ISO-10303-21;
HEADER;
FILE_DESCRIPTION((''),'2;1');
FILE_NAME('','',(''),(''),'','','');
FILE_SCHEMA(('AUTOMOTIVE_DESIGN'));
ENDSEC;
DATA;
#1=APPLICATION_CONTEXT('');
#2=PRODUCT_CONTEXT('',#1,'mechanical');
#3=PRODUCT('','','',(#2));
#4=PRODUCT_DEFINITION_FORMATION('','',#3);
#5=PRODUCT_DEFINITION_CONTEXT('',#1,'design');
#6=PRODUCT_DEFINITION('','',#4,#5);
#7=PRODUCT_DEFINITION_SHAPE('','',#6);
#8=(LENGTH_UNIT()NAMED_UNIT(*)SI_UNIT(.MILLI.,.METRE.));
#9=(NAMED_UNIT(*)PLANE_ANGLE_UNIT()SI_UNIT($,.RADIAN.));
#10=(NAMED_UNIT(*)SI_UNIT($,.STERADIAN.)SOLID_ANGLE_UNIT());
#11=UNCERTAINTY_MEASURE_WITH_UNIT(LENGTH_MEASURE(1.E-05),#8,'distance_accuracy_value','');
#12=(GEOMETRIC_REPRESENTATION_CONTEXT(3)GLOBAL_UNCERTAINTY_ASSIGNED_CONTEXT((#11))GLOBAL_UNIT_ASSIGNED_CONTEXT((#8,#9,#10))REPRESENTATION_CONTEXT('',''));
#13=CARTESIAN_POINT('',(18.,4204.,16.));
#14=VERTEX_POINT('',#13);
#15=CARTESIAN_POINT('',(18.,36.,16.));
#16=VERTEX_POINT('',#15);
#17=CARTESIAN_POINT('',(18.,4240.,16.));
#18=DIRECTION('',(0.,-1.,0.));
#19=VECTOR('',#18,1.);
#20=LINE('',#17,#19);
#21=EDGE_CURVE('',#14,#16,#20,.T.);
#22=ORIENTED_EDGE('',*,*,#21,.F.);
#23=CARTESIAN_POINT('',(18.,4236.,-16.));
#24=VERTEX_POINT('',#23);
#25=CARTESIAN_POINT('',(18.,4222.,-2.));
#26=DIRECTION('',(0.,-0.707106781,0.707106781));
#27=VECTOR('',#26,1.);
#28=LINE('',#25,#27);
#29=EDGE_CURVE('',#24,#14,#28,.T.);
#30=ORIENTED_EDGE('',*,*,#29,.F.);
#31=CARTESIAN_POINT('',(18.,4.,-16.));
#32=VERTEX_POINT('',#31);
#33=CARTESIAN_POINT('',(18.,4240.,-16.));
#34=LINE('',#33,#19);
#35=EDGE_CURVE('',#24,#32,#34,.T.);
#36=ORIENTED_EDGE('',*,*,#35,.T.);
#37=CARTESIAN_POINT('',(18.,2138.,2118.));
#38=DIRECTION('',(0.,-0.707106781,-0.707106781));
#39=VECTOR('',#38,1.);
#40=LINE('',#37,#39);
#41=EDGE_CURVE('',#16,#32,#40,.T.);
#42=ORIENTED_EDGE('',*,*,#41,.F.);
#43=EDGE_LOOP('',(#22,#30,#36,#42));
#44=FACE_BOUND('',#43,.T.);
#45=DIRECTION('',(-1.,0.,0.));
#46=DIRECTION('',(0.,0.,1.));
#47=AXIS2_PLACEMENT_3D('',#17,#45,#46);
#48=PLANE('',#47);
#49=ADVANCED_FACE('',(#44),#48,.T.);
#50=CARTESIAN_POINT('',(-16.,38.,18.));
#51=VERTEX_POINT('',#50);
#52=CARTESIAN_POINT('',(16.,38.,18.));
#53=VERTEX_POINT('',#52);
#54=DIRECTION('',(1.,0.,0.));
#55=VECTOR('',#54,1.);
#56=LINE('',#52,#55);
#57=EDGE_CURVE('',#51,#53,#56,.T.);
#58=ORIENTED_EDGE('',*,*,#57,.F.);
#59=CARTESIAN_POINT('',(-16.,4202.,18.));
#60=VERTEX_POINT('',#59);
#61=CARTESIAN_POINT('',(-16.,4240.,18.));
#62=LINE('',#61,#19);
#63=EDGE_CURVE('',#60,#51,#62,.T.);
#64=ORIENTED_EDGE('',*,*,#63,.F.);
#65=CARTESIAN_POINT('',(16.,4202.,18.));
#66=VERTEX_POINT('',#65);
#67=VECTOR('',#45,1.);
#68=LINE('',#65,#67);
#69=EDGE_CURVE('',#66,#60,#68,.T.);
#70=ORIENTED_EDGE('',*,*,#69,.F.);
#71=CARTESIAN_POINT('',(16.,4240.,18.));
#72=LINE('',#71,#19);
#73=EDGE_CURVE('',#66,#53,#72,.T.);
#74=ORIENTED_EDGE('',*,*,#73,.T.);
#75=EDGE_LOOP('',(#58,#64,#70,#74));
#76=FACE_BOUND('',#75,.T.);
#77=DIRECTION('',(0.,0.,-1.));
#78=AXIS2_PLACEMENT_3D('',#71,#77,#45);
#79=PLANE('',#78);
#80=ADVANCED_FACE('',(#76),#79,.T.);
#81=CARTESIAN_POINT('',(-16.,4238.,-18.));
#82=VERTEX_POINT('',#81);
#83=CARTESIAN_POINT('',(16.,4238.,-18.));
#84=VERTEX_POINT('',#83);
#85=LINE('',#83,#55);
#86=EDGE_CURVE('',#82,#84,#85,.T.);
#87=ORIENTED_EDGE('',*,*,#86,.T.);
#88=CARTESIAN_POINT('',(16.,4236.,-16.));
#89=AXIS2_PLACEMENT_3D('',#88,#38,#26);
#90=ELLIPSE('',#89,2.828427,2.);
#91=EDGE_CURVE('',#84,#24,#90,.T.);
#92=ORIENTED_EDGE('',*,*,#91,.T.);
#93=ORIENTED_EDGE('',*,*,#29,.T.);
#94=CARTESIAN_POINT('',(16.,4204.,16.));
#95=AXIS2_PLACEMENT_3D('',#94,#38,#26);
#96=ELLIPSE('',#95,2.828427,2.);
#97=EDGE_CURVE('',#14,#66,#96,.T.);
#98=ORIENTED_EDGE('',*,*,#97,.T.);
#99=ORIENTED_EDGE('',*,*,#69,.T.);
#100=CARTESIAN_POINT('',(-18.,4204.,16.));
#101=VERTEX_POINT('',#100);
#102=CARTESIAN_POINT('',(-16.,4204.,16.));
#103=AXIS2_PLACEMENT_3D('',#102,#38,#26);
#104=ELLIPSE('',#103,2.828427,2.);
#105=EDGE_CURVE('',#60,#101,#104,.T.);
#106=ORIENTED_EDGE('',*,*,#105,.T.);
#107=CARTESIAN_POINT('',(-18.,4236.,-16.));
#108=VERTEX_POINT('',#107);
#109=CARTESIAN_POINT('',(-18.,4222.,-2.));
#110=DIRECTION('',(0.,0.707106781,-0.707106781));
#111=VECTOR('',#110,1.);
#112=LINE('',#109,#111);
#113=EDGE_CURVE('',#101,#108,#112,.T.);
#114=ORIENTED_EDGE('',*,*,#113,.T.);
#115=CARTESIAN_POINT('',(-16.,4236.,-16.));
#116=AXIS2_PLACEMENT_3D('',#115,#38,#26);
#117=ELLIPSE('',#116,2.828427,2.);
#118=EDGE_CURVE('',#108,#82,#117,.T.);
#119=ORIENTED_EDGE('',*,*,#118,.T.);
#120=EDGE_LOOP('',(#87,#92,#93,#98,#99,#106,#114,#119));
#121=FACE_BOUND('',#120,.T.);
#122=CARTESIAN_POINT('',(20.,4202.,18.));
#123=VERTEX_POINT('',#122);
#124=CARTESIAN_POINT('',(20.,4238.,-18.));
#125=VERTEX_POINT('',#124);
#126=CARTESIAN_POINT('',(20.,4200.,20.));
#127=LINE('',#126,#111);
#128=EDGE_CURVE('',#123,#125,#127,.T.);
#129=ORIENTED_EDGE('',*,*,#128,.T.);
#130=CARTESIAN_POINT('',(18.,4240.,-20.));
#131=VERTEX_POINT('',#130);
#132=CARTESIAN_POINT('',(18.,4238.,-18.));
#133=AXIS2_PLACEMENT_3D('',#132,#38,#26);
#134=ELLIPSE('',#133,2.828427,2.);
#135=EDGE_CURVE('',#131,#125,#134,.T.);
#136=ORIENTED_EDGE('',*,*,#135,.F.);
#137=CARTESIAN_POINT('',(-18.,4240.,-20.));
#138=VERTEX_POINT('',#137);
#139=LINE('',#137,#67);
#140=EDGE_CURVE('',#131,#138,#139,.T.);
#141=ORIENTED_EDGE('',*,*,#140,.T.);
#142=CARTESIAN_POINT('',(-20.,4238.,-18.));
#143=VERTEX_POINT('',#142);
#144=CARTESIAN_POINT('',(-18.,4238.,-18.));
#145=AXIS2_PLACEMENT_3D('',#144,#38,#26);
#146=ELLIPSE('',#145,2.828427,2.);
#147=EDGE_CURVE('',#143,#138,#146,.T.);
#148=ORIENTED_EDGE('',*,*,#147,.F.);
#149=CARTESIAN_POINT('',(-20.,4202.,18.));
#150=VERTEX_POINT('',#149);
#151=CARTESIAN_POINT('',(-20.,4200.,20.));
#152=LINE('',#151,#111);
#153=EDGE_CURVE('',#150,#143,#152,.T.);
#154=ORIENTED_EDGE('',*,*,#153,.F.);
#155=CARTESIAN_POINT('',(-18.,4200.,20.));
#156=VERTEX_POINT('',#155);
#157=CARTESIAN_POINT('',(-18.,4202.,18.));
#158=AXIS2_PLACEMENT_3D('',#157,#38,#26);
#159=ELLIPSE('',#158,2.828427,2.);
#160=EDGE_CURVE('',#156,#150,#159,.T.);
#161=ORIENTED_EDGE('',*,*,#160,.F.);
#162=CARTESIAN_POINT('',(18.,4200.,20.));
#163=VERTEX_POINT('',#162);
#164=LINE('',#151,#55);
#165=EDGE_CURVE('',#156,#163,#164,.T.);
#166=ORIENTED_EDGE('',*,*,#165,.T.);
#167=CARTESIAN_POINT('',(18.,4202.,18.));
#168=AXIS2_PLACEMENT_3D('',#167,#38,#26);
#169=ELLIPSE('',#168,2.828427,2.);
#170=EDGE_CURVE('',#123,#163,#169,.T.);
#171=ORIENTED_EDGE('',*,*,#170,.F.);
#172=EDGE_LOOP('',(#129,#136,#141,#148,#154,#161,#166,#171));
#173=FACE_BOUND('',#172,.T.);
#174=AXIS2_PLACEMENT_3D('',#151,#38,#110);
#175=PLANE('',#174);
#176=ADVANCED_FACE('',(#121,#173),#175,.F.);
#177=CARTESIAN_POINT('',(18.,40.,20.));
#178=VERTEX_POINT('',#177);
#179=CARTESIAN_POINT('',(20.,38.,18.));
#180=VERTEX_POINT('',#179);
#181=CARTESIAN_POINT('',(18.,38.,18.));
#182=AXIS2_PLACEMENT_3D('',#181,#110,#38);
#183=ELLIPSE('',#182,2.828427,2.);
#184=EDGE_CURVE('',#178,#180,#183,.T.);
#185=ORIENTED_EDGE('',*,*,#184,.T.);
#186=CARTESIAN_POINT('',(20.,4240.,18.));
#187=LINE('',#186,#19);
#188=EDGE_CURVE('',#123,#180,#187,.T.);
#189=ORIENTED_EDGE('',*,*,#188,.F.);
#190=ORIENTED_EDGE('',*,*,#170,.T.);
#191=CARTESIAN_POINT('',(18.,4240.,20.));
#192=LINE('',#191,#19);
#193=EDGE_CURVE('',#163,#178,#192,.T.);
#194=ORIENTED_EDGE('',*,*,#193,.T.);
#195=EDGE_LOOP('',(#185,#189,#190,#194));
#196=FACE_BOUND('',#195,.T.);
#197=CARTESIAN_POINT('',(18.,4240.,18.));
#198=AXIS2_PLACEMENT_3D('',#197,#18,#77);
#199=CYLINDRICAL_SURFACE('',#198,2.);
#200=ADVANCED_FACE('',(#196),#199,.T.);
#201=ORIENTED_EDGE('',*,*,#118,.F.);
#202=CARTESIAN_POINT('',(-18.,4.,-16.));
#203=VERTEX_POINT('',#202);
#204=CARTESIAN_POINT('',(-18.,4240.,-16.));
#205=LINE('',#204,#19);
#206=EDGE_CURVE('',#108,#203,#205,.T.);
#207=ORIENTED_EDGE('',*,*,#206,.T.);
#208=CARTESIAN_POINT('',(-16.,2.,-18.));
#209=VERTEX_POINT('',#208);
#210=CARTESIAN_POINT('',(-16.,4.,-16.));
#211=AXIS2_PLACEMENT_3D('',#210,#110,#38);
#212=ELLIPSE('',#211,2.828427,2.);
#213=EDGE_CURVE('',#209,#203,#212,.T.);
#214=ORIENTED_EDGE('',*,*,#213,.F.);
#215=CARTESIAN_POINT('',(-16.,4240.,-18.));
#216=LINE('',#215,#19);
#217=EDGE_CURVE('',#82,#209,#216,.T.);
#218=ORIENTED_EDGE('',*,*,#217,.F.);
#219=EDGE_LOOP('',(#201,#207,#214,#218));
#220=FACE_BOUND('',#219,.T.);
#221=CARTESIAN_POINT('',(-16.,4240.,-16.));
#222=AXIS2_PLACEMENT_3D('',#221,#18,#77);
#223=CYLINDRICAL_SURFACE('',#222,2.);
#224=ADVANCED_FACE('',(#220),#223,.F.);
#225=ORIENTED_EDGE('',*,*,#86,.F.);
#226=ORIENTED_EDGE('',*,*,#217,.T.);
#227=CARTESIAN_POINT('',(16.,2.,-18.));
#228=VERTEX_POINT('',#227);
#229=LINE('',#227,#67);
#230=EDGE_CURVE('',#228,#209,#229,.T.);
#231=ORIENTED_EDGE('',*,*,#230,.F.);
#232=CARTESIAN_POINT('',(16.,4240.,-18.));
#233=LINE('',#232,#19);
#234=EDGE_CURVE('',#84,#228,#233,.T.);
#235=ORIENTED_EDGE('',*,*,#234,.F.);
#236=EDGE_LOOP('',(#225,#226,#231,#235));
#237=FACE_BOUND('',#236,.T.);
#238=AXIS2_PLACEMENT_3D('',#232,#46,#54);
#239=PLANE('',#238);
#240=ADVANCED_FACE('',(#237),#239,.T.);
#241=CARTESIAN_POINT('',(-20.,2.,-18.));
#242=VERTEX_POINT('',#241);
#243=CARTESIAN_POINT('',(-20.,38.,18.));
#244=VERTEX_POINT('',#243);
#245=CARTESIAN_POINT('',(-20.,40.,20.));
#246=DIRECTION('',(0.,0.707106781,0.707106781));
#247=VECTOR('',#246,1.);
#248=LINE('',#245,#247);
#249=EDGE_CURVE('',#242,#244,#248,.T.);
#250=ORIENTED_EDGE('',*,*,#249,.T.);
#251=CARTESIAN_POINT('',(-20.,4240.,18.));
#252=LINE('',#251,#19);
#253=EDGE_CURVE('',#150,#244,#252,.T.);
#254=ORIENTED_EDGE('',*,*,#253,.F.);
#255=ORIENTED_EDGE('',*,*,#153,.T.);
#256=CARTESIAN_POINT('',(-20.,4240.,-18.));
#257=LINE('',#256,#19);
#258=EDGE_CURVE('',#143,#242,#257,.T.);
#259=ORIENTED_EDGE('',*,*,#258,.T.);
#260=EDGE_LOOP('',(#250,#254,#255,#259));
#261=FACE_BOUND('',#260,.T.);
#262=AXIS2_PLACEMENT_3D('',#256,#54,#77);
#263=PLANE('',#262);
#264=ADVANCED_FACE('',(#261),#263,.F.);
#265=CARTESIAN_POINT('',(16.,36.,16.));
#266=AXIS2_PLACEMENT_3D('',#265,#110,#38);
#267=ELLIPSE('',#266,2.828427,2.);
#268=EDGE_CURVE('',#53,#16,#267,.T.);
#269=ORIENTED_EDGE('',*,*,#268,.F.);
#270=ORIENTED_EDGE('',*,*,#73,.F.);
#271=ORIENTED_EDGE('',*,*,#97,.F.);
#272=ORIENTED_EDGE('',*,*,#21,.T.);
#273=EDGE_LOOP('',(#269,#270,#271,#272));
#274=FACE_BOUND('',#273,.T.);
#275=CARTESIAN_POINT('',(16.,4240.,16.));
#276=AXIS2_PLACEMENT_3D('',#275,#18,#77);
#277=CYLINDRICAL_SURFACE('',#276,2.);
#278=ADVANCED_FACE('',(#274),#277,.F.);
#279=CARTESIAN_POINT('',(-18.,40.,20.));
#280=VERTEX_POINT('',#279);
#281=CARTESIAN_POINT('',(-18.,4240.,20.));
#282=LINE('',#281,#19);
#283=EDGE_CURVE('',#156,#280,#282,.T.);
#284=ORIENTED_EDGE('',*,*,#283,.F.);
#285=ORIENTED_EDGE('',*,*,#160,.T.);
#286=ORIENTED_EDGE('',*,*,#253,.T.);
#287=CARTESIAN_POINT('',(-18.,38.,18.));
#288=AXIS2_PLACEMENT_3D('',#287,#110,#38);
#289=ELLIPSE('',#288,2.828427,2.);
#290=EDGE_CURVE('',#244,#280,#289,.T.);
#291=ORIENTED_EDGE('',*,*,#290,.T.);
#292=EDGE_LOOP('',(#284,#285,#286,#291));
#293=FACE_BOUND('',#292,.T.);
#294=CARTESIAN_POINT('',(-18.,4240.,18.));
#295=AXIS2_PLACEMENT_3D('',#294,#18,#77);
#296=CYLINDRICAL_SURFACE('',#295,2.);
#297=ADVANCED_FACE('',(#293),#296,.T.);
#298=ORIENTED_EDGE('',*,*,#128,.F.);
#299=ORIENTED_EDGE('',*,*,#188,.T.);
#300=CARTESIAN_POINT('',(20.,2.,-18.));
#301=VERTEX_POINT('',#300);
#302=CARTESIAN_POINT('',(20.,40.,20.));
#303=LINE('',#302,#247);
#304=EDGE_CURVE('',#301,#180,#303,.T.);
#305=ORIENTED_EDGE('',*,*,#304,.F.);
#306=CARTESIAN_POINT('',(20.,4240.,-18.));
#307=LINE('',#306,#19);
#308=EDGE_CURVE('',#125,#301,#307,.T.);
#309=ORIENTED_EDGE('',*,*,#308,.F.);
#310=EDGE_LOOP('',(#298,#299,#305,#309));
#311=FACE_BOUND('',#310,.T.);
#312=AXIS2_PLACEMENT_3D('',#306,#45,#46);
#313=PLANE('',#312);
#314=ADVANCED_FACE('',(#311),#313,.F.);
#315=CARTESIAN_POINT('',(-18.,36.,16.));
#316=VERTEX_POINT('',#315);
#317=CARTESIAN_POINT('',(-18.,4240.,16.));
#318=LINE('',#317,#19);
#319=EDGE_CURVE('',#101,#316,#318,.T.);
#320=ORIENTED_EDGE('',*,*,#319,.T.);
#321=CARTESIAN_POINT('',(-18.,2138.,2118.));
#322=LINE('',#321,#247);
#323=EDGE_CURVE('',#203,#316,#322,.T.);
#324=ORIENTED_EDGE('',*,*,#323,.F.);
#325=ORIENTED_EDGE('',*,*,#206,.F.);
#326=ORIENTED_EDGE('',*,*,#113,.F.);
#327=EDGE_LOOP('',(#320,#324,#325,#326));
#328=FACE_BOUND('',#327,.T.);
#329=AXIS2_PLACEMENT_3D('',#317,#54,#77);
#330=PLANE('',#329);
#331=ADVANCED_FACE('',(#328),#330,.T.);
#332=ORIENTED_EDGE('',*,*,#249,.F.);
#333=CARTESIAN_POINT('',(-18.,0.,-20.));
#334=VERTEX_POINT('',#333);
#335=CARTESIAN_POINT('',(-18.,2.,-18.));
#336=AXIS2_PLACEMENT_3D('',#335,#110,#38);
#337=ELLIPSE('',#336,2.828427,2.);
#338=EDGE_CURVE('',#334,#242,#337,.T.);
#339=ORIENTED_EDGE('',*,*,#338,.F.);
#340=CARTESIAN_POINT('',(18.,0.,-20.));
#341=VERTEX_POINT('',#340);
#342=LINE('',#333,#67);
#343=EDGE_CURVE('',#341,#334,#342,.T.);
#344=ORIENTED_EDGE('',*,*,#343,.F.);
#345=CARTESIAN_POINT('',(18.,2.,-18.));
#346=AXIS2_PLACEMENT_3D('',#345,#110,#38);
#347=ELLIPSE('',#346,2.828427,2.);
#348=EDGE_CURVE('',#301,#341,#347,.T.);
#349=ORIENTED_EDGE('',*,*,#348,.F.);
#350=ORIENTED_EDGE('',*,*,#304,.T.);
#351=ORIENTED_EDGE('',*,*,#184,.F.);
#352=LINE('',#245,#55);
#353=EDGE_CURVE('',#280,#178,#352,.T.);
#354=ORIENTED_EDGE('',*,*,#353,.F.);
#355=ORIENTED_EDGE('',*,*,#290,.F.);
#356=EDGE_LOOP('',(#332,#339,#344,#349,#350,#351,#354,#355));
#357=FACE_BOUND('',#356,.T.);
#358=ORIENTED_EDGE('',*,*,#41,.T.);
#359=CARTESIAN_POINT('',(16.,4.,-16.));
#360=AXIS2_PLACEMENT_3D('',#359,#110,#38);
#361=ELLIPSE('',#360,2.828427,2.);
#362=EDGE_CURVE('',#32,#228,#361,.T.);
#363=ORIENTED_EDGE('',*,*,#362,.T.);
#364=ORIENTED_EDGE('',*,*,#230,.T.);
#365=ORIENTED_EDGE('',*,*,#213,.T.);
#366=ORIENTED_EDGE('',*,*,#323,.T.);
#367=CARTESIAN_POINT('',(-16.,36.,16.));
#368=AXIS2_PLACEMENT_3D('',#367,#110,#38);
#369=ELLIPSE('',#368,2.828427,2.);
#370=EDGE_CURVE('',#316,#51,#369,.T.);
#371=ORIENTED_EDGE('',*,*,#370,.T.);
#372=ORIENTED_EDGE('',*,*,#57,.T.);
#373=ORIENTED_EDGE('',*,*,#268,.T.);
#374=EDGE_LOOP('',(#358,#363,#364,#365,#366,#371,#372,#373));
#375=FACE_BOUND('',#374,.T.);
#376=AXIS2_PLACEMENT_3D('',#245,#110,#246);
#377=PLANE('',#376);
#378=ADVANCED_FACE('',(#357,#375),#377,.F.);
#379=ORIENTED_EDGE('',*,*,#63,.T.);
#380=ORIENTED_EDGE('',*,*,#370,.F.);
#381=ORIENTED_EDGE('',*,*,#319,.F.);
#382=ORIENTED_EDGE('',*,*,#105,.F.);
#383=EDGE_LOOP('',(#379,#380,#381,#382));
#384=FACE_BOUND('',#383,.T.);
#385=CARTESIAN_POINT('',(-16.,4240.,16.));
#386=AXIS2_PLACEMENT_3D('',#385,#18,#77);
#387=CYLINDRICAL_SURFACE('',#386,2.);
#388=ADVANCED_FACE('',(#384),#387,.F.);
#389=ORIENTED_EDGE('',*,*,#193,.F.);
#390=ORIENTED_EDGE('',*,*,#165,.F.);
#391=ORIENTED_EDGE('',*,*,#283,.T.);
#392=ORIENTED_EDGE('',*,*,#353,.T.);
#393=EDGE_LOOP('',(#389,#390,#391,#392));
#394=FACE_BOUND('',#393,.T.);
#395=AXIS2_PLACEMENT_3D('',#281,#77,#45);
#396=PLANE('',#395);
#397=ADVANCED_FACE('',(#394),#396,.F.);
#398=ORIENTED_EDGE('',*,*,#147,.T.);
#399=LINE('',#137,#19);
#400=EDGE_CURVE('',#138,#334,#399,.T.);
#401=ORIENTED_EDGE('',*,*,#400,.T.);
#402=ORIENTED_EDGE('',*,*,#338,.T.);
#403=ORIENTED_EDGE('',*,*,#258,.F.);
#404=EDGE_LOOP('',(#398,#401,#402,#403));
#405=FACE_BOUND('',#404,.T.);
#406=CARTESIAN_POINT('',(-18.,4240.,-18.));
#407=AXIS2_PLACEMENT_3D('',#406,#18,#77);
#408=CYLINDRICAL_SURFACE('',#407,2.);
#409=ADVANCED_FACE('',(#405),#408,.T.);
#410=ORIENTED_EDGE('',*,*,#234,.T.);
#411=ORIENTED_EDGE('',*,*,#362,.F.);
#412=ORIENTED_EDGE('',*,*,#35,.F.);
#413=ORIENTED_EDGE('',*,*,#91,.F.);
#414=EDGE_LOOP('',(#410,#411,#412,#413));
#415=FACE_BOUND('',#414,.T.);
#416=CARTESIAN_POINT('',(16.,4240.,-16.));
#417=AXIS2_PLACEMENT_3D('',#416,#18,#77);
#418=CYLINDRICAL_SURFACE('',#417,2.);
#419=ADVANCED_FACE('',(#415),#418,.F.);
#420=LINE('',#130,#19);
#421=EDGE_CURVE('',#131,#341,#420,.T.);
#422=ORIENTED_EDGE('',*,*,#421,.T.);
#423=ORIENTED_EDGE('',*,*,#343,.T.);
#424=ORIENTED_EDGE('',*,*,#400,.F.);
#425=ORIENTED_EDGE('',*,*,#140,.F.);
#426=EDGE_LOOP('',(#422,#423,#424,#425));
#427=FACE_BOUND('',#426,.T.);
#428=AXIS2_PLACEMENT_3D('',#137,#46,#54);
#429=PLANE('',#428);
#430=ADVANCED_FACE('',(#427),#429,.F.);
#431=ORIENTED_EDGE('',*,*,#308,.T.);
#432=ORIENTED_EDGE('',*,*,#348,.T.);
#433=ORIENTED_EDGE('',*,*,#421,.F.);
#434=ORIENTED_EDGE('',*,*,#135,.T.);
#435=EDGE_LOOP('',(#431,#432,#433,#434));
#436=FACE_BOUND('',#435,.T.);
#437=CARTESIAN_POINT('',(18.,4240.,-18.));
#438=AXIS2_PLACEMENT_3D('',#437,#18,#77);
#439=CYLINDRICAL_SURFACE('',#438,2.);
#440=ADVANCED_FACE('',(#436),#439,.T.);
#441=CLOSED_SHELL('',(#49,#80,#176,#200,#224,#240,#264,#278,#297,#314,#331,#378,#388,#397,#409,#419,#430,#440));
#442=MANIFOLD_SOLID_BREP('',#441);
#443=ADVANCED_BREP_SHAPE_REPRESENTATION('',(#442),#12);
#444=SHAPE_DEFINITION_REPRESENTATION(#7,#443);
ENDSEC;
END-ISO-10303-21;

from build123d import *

# Parameters (mm, degrees)
EXTRUDE_1_DEPTH     = 4240
CUT_EXTRUDE_1_DEPTH = 4241.235842497


with BuildPart() as part:
    # Эскиз2 → Бобышка-Вытянуть1 (new body)
    with BuildSketch(Plane(origin=(0, 0, 0), x_dir=(1, 0, 0), z_dir=(0, 1, 0))):
        with BuildLine():
            Line((-18, 20), (18, 20))
            ThreePointArc((18, 20), (19.414213562, 19.414213562), (20, 18))
            Line((20, 18), (20, -18))
            ThreePointArc((20, -18), (19.414213562, -19.414213562), (18, -20))
            Line((18, -20), (-18, -20))
            ThreePointArc((-18, -20), (-19.414213562, -19.414213562), (-20, -18))
            Line((-20, -18), (-20, 18))
            ThreePointArc((-20, 18), (-19.414213562, 19.414213562), (-18, 20))
        make_face()
        with BuildLine():
            Line((16, -18), (-16, -18))
            ThreePointArc((-16, -18), (-17.414213562, -17.414213562), (-18, -16))
            Line((-18, -16), (-18, 16))
            ThreePointArc((-18, 16), (-17.414213562, 17.414213562), (-16, 18))
            Line((-16, 18), (16, 18))
            ThreePointArc((16, 18), (17.414213562, 17.414213562), (18, 16))
            Line((18, 16), (18, -16))
            ThreePointArc((18, -16), (17.414213562, -17.414213562), (16, -18))
        make_face(mode=Mode.SUBTRACT)
    extrude(amount=EXTRUDE_1_DEPTH)

    # Эскиз3 → Вырез-Вытянуть1 (cut, through all)
    with BuildSketch(Plane(origin=(20, 0, 0), x_dir=(0, 0, -1), z_dir=(1, 0, 0))):
        Polygon((20, 4240), (-20, 4240), (-20, 4200), align=None)
        Polygon((20, 0), (-20, 0), (-20, 40), align=None)
    extrude(amount=-CUT_EXTRUDE_1_DEPTH, mode=Mode.SUBTRACT)


solid = part.part
